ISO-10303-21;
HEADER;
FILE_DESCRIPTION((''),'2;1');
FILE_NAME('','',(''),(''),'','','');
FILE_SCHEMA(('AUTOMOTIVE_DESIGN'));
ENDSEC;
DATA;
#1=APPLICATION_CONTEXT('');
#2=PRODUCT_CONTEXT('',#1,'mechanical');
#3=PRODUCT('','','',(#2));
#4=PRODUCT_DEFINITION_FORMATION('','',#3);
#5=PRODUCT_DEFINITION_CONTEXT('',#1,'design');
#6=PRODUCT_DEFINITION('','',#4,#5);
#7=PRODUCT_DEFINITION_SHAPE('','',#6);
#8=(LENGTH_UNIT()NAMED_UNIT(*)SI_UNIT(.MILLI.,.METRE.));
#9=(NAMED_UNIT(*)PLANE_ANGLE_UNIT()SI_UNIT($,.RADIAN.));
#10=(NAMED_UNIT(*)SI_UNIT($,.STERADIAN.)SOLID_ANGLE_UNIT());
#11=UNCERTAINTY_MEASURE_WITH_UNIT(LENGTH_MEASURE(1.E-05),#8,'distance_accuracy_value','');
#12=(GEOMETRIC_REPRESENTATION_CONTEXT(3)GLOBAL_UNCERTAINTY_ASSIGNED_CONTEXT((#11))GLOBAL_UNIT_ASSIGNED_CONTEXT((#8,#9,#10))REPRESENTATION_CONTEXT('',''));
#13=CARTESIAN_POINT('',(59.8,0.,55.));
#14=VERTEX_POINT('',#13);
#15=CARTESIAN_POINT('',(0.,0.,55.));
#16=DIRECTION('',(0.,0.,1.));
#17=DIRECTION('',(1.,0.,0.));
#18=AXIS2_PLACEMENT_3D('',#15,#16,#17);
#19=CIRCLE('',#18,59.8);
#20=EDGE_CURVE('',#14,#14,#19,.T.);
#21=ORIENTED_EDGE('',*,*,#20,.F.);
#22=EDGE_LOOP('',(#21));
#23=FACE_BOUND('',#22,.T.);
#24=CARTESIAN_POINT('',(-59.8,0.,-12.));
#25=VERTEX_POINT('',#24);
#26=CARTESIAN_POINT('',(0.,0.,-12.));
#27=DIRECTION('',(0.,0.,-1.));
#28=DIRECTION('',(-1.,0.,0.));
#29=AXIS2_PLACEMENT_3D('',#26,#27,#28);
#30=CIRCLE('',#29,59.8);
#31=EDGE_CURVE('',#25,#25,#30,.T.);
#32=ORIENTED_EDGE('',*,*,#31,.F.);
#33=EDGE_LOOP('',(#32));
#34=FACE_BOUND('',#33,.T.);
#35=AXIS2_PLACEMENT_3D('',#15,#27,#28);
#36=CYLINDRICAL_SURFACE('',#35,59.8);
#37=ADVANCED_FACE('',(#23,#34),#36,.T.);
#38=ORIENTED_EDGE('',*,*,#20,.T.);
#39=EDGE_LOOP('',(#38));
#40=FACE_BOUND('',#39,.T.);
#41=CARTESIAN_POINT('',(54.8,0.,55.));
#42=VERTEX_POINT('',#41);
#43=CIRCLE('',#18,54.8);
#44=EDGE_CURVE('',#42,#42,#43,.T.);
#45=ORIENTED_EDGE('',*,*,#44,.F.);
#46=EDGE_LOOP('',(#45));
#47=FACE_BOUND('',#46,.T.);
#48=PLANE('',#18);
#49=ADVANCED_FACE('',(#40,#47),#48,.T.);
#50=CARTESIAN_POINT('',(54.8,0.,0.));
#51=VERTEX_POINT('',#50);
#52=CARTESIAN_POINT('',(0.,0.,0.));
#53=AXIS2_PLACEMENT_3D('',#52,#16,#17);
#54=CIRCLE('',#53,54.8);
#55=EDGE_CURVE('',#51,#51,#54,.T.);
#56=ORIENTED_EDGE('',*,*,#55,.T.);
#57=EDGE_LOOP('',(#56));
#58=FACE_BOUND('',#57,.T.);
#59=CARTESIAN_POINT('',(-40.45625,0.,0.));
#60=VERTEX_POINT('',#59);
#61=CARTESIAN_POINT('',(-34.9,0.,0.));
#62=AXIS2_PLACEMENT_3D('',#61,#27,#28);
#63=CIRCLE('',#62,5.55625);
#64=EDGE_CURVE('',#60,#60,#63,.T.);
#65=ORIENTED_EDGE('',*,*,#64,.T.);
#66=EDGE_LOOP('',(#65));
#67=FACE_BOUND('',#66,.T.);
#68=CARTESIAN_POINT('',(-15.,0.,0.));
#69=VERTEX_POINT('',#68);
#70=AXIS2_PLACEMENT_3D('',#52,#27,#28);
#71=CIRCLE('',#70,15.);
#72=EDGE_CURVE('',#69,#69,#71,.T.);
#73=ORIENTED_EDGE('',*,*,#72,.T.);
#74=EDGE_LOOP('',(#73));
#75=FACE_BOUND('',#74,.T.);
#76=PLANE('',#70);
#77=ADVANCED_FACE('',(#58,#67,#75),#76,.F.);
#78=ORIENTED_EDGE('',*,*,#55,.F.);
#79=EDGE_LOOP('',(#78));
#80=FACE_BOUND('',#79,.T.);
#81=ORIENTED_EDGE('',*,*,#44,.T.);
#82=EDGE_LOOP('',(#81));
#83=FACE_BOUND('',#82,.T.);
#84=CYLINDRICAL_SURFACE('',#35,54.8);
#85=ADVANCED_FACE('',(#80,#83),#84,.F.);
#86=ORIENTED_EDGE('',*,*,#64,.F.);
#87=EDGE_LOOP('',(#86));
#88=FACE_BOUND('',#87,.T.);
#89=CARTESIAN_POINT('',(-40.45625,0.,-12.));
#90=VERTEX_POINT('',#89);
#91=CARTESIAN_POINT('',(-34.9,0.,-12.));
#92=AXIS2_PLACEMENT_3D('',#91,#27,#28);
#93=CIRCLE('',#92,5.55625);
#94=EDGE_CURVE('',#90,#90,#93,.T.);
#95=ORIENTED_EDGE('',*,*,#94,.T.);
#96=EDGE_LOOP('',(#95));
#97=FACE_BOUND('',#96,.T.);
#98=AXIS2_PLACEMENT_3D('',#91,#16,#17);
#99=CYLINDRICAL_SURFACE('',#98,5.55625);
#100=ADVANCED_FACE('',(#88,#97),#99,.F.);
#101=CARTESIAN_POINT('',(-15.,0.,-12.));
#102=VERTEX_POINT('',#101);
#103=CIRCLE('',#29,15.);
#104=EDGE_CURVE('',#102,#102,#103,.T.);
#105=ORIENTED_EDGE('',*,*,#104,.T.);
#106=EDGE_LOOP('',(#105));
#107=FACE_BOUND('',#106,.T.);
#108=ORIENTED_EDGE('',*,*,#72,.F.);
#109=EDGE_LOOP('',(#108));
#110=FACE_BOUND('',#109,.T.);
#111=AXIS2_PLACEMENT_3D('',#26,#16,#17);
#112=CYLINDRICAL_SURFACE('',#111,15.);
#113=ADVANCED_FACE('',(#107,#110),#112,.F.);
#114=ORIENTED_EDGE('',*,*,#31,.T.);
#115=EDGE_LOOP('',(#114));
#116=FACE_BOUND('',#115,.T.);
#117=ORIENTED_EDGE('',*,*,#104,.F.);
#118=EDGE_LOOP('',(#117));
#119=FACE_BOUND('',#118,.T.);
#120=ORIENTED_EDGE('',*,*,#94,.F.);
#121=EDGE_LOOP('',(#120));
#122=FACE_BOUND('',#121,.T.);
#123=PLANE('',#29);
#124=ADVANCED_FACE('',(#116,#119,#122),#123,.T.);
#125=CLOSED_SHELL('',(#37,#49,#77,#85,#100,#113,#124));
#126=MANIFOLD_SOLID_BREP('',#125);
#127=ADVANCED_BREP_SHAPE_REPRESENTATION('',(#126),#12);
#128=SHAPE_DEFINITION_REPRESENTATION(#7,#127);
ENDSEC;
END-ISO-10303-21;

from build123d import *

# Parameters (mm, degrees)
SKETCH1_R           = 59.8
SKETCH1_R_2         = 54.8
BOSS_EXTRUDE1_DEPTH = 55
BOSS_EXTRUDE2_START = 12
SKETCH2_R           = 59.8
SKETCH2_R_2         = 15
SKETCH2_R_3         = 5.55625
BOSS_EXTRUDE2_DEPTH = 12


with BuildPart() as part:
    # Sketch1 → Boss-Extrude1 (new body)
    with BuildSketch(Plane.XY):
        Circle(SKETCH1_R)
        Circle(SKETCH1_R_2, mode=Mode.SUBTRACT)
    extrude(amount=BOSS_EXTRUDE1_DEPTH)

    # Sketch2 → Boss-Extrude2 (add)
    with BuildSketch(Plane(origin=(0, 0, 0), x_dir=(-1, 0, 0), z_dir=(0, 0, -1)).offset(BOSS_EXTRUDE2_START)):
        Circle(SKETCH2_R)
        Circle(SKETCH2_R_2, mode=Mode.SUBTRACT)
        with Locations((34.9, 0)):
            Circle(SKETCH2_R_3, mode=Mode.SUBTRACT)
    extrude(amount=-BOSS_EXTRUDE2_DEPTH)


solid = part.part
